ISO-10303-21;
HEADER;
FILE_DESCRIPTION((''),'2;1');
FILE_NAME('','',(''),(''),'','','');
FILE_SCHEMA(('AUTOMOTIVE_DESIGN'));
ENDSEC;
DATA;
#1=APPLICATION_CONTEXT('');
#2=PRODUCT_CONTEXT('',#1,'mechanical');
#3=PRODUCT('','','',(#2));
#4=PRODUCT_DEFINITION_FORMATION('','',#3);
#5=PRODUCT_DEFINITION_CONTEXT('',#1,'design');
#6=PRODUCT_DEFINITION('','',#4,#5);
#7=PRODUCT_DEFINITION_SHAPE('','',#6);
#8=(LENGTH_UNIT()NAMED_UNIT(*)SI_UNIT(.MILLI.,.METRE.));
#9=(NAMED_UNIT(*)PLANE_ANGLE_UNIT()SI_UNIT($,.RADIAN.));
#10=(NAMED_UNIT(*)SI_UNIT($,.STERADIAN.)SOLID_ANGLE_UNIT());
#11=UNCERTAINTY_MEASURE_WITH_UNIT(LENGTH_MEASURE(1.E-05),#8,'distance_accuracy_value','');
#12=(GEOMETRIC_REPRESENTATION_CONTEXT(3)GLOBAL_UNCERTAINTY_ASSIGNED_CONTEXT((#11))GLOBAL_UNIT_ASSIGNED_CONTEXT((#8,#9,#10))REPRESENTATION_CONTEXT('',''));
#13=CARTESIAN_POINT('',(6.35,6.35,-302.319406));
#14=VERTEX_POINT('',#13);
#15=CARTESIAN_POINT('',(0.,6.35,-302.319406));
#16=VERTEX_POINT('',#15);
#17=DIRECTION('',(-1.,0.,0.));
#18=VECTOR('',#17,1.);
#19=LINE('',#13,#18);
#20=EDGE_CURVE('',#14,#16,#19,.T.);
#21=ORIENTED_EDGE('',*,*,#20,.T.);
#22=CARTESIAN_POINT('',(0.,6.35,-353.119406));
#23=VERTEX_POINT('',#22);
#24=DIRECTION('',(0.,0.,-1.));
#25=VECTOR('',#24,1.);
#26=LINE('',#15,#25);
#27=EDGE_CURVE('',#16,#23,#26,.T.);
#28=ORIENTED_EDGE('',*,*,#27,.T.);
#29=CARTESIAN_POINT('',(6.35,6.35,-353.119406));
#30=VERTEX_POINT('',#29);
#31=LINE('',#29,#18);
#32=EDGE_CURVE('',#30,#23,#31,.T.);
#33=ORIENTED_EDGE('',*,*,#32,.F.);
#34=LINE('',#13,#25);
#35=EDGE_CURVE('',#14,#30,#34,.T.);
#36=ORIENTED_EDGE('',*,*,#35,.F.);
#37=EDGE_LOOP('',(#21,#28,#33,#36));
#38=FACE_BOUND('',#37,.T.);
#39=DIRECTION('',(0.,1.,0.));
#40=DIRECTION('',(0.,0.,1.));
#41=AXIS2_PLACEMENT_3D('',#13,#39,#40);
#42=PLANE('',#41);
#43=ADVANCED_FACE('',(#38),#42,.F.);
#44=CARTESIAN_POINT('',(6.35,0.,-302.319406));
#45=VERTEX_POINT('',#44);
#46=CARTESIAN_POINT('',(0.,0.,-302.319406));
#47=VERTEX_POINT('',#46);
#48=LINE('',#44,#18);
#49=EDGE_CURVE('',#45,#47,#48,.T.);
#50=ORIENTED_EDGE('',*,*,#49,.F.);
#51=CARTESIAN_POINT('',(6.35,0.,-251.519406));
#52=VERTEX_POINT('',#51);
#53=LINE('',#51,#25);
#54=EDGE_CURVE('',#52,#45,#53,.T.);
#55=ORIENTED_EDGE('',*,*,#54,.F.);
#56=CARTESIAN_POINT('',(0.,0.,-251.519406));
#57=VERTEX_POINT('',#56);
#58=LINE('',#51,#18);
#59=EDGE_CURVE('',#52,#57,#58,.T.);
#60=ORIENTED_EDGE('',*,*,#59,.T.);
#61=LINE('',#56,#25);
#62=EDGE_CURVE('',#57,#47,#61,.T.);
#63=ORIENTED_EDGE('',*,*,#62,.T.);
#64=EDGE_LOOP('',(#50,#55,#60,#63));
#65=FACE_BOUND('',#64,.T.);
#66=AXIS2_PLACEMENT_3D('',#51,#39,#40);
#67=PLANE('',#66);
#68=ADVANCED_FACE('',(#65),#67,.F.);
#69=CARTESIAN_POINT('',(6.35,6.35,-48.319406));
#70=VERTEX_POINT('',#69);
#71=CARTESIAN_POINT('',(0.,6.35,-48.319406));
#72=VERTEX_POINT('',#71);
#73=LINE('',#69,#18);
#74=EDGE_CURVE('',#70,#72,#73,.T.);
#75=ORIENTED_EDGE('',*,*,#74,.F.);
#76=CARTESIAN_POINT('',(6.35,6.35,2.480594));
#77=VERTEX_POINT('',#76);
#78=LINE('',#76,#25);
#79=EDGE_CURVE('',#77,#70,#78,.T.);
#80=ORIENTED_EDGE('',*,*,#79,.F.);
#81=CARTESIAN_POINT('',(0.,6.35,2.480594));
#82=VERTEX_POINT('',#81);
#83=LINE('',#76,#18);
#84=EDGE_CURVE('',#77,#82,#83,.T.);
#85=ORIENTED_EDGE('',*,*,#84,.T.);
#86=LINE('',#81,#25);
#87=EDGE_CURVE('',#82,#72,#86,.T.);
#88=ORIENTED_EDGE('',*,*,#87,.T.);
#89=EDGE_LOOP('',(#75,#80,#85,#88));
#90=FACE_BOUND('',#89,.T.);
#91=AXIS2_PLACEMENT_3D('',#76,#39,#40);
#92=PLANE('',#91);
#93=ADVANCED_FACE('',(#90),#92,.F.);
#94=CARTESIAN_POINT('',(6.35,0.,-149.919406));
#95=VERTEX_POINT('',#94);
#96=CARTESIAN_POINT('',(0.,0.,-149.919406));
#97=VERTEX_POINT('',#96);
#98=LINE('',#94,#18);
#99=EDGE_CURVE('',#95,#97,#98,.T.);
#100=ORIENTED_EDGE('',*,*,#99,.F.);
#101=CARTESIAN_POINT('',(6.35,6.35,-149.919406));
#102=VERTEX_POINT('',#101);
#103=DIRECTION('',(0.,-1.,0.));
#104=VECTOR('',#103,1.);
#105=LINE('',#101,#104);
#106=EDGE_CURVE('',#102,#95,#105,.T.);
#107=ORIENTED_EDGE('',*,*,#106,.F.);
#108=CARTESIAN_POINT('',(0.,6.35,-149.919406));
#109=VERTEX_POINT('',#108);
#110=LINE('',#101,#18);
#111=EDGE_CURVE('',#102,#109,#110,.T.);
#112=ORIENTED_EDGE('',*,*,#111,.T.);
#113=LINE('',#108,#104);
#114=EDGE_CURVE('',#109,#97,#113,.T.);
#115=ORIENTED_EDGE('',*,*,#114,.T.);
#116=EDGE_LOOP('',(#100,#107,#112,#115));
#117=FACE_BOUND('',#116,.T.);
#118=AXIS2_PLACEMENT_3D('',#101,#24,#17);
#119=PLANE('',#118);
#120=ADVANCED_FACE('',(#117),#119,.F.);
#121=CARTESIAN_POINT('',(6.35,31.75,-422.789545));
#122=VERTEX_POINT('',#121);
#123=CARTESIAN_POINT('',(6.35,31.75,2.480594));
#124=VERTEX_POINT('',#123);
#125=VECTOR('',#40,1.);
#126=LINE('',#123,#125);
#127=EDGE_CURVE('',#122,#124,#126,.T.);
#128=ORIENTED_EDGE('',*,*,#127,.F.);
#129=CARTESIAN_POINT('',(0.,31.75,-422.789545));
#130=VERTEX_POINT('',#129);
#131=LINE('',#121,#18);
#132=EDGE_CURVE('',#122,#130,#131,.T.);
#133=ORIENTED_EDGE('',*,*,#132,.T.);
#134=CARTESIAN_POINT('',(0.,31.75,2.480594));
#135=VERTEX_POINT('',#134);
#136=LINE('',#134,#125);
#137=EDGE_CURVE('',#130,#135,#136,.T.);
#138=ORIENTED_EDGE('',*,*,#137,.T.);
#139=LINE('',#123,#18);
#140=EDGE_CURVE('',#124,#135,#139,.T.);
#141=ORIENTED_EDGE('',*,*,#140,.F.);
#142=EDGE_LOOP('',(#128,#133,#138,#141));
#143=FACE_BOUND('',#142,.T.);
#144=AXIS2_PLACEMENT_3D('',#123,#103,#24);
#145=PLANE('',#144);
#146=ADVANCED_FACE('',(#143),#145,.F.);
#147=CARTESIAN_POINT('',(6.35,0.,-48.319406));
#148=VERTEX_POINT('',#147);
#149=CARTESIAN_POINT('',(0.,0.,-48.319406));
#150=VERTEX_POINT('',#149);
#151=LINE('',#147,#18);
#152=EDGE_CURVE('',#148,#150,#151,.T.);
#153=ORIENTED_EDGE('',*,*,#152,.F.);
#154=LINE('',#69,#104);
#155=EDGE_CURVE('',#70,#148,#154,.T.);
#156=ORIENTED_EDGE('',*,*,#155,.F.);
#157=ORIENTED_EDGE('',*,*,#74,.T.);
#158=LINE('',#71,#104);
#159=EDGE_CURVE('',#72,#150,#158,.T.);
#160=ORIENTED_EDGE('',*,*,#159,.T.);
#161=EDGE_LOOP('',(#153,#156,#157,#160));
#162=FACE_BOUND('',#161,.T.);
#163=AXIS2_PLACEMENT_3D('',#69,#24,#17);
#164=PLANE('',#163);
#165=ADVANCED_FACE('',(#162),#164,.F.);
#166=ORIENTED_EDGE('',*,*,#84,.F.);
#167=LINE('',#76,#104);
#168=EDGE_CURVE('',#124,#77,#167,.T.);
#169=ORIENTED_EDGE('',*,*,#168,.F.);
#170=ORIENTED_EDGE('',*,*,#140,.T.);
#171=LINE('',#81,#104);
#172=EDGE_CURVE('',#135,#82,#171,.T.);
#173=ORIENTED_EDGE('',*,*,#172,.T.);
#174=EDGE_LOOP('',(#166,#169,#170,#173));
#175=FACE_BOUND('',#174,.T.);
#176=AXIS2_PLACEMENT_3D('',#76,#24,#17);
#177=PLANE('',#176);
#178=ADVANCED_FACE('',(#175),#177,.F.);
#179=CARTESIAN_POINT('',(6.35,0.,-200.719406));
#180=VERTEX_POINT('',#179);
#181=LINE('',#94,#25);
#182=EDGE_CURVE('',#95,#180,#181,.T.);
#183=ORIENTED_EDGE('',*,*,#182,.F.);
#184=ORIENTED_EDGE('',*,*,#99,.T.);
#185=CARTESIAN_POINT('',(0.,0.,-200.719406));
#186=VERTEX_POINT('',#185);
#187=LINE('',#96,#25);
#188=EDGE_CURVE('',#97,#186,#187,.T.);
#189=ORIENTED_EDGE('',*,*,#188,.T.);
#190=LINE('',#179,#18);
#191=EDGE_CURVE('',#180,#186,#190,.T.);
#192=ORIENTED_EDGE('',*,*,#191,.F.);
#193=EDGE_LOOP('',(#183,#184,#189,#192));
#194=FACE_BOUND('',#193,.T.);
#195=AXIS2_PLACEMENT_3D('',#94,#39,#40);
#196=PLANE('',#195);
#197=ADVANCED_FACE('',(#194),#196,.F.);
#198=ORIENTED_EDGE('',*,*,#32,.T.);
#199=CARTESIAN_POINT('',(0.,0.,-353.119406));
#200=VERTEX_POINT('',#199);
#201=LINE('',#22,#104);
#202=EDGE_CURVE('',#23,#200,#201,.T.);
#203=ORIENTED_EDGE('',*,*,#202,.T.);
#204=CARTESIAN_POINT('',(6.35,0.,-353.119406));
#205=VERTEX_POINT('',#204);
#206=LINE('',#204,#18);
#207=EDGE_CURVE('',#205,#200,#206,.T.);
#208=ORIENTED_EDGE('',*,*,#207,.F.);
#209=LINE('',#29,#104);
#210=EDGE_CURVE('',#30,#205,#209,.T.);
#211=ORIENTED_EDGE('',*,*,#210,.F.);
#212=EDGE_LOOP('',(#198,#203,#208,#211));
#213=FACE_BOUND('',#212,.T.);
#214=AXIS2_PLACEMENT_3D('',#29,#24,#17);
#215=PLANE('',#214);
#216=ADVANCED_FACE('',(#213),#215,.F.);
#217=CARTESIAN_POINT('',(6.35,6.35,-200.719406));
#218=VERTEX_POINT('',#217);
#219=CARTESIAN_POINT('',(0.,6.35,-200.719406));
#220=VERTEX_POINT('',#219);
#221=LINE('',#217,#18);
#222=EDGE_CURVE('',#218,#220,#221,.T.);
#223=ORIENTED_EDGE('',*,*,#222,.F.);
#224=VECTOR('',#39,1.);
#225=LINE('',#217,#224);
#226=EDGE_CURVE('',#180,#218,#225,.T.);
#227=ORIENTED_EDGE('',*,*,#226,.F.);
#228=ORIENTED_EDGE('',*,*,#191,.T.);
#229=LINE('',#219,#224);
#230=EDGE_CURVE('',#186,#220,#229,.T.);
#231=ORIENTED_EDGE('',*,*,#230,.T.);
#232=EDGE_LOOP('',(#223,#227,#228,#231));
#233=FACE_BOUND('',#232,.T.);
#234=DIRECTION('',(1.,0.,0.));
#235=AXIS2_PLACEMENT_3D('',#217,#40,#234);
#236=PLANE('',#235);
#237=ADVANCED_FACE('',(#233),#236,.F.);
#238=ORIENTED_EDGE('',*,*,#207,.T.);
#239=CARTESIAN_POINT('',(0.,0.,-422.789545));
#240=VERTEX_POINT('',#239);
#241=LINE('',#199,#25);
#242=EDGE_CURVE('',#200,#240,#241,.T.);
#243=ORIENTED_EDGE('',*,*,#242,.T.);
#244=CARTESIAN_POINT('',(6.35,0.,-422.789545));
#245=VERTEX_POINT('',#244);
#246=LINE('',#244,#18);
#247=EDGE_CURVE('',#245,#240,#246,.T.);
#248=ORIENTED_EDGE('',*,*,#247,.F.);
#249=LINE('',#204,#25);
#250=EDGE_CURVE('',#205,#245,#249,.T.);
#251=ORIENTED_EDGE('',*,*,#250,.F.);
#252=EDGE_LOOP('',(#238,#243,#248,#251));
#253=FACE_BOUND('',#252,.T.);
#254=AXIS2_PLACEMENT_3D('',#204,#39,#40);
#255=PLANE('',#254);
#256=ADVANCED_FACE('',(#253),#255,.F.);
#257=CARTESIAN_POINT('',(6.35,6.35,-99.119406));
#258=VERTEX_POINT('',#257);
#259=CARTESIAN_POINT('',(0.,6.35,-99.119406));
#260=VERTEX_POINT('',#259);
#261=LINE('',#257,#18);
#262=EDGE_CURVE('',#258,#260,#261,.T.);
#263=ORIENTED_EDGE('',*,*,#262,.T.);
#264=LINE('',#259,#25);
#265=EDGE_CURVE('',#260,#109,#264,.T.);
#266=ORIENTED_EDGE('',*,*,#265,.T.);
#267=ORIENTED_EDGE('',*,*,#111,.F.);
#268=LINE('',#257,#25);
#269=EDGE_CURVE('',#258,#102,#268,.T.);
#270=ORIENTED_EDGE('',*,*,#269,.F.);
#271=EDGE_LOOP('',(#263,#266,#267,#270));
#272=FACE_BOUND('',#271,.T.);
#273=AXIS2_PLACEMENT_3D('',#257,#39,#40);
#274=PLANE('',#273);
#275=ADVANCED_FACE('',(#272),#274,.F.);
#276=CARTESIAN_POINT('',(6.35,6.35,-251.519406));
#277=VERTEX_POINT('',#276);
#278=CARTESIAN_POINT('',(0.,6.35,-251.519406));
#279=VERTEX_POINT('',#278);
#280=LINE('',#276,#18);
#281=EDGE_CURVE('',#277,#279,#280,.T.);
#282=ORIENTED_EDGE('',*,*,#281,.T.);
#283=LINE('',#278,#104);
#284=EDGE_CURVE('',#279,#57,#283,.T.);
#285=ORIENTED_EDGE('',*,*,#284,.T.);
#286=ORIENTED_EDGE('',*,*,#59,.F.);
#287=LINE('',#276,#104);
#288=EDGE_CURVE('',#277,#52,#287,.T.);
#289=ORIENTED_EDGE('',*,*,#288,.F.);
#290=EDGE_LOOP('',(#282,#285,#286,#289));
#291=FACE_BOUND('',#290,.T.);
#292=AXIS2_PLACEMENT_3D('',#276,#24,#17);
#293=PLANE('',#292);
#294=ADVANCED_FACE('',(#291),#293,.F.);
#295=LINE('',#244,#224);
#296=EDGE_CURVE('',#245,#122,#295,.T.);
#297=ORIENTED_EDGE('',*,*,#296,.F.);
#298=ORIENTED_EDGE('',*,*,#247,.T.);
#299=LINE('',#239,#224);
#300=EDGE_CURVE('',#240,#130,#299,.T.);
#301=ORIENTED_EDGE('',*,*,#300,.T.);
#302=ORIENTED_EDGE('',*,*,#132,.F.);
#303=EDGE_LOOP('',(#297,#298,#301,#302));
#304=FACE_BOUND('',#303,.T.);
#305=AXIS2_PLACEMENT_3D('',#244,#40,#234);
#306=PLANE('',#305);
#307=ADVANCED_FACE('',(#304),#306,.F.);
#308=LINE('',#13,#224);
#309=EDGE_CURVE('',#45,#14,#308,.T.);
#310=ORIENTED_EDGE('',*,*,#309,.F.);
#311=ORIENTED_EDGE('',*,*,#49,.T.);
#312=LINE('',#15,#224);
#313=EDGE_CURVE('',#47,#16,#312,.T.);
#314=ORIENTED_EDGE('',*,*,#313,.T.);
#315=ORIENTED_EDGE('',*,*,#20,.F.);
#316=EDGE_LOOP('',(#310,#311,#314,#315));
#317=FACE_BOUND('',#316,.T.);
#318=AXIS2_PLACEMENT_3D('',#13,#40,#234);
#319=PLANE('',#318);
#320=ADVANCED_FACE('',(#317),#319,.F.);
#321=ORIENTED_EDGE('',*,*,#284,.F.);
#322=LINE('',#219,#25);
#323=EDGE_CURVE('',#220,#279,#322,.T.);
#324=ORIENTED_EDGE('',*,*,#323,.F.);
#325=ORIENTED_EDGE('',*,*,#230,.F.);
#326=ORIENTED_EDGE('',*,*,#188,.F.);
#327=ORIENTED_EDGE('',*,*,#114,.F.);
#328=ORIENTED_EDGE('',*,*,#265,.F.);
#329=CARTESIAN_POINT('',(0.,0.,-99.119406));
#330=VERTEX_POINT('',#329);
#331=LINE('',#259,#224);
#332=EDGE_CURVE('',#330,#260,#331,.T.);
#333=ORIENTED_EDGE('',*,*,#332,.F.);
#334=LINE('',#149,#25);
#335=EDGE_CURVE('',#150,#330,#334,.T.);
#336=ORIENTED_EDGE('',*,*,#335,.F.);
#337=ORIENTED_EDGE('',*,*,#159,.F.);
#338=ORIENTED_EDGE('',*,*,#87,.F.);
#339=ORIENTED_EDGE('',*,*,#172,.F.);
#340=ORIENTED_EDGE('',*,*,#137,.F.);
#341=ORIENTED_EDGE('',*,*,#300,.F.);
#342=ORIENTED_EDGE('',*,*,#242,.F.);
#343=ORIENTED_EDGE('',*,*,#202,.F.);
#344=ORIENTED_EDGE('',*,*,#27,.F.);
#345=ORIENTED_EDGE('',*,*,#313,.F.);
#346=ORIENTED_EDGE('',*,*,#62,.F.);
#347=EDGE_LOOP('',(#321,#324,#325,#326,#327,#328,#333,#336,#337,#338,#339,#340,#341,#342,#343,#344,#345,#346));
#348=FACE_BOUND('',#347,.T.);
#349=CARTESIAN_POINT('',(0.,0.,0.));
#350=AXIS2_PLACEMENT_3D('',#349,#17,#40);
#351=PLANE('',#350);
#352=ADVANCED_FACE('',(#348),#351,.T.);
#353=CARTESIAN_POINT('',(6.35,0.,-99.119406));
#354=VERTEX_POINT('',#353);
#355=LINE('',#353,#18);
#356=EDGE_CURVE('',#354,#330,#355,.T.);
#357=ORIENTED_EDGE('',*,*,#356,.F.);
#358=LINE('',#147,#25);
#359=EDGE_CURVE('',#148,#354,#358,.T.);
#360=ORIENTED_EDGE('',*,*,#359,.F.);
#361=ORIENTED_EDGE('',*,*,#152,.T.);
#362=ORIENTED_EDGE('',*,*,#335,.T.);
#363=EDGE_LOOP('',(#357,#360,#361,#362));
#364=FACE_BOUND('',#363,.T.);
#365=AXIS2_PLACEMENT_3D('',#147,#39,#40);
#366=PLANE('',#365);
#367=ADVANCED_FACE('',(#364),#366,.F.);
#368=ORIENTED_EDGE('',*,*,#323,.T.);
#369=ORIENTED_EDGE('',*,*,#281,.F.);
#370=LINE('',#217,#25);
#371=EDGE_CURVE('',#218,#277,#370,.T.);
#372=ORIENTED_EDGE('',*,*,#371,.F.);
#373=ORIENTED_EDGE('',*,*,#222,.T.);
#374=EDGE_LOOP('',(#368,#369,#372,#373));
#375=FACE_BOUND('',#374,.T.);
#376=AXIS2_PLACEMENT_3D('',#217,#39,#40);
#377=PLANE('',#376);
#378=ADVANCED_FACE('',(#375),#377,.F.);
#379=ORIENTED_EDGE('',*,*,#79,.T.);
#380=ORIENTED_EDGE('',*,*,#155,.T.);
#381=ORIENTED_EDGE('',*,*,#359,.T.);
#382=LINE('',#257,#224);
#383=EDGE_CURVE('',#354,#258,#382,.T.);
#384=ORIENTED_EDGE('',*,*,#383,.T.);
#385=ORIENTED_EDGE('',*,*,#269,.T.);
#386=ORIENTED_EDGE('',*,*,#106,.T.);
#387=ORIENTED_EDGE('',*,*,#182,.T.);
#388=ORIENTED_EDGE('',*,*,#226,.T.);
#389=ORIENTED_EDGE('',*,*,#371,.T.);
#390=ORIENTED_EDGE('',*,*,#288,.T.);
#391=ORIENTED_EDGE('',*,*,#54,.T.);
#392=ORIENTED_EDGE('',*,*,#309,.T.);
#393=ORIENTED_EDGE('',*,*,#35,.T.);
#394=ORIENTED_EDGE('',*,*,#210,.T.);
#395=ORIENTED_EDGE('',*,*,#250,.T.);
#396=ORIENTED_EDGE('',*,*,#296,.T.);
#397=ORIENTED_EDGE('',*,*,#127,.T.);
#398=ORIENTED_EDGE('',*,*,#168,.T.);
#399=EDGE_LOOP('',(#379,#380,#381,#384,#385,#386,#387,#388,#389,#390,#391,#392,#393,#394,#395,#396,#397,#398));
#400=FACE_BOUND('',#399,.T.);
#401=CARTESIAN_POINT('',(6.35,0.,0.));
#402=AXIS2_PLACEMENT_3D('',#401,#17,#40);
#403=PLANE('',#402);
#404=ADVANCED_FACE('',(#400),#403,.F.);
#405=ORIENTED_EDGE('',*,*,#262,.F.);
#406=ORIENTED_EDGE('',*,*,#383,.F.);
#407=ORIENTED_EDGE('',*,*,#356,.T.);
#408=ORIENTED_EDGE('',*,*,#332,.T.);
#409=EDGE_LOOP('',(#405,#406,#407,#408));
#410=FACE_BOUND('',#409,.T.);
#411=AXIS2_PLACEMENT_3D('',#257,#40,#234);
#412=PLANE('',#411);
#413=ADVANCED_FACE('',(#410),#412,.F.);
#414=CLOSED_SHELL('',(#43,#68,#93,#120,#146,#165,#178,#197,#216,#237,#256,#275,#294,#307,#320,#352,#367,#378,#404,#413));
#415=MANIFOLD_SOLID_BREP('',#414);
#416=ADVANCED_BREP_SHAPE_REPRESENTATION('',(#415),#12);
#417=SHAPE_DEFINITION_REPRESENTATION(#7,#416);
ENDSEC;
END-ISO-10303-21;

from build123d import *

# Parameters (mm, degrees)
BOSS_EXTRUDE1_DEPTH = 6.35


with BuildPart() as part:
    # Sketch2 → Boss-Extrude1 (new body)
    with BuildSketch(Plane(origin=(0, 0, 0), x_dir=(0, 0, -1), z_dir=(1, 0, 0))):
        Polygon((48.319405744, 0), (99.119405744, 0), (99.119405744, 6.35), (149.919405744, 6.35), (149.919405744, 0), (200.719405744, 0), (200.719405744, 6.35), (251.519405744, 6.35), (251.519405744, 0), (302.319405744, 0), (302.319405744, 6.35), (353.119405744, 6.35), (353.119405744, 0), (422.789544579, 0), (422.789544579, 31.75), (-2.480594256, 31.75), (-2.480594256, 6.35), (48.319405744, 6.35), align=None)
    extrude(amount=BOSS_EXTRUDE1_DEPTH)


solid = part.part
